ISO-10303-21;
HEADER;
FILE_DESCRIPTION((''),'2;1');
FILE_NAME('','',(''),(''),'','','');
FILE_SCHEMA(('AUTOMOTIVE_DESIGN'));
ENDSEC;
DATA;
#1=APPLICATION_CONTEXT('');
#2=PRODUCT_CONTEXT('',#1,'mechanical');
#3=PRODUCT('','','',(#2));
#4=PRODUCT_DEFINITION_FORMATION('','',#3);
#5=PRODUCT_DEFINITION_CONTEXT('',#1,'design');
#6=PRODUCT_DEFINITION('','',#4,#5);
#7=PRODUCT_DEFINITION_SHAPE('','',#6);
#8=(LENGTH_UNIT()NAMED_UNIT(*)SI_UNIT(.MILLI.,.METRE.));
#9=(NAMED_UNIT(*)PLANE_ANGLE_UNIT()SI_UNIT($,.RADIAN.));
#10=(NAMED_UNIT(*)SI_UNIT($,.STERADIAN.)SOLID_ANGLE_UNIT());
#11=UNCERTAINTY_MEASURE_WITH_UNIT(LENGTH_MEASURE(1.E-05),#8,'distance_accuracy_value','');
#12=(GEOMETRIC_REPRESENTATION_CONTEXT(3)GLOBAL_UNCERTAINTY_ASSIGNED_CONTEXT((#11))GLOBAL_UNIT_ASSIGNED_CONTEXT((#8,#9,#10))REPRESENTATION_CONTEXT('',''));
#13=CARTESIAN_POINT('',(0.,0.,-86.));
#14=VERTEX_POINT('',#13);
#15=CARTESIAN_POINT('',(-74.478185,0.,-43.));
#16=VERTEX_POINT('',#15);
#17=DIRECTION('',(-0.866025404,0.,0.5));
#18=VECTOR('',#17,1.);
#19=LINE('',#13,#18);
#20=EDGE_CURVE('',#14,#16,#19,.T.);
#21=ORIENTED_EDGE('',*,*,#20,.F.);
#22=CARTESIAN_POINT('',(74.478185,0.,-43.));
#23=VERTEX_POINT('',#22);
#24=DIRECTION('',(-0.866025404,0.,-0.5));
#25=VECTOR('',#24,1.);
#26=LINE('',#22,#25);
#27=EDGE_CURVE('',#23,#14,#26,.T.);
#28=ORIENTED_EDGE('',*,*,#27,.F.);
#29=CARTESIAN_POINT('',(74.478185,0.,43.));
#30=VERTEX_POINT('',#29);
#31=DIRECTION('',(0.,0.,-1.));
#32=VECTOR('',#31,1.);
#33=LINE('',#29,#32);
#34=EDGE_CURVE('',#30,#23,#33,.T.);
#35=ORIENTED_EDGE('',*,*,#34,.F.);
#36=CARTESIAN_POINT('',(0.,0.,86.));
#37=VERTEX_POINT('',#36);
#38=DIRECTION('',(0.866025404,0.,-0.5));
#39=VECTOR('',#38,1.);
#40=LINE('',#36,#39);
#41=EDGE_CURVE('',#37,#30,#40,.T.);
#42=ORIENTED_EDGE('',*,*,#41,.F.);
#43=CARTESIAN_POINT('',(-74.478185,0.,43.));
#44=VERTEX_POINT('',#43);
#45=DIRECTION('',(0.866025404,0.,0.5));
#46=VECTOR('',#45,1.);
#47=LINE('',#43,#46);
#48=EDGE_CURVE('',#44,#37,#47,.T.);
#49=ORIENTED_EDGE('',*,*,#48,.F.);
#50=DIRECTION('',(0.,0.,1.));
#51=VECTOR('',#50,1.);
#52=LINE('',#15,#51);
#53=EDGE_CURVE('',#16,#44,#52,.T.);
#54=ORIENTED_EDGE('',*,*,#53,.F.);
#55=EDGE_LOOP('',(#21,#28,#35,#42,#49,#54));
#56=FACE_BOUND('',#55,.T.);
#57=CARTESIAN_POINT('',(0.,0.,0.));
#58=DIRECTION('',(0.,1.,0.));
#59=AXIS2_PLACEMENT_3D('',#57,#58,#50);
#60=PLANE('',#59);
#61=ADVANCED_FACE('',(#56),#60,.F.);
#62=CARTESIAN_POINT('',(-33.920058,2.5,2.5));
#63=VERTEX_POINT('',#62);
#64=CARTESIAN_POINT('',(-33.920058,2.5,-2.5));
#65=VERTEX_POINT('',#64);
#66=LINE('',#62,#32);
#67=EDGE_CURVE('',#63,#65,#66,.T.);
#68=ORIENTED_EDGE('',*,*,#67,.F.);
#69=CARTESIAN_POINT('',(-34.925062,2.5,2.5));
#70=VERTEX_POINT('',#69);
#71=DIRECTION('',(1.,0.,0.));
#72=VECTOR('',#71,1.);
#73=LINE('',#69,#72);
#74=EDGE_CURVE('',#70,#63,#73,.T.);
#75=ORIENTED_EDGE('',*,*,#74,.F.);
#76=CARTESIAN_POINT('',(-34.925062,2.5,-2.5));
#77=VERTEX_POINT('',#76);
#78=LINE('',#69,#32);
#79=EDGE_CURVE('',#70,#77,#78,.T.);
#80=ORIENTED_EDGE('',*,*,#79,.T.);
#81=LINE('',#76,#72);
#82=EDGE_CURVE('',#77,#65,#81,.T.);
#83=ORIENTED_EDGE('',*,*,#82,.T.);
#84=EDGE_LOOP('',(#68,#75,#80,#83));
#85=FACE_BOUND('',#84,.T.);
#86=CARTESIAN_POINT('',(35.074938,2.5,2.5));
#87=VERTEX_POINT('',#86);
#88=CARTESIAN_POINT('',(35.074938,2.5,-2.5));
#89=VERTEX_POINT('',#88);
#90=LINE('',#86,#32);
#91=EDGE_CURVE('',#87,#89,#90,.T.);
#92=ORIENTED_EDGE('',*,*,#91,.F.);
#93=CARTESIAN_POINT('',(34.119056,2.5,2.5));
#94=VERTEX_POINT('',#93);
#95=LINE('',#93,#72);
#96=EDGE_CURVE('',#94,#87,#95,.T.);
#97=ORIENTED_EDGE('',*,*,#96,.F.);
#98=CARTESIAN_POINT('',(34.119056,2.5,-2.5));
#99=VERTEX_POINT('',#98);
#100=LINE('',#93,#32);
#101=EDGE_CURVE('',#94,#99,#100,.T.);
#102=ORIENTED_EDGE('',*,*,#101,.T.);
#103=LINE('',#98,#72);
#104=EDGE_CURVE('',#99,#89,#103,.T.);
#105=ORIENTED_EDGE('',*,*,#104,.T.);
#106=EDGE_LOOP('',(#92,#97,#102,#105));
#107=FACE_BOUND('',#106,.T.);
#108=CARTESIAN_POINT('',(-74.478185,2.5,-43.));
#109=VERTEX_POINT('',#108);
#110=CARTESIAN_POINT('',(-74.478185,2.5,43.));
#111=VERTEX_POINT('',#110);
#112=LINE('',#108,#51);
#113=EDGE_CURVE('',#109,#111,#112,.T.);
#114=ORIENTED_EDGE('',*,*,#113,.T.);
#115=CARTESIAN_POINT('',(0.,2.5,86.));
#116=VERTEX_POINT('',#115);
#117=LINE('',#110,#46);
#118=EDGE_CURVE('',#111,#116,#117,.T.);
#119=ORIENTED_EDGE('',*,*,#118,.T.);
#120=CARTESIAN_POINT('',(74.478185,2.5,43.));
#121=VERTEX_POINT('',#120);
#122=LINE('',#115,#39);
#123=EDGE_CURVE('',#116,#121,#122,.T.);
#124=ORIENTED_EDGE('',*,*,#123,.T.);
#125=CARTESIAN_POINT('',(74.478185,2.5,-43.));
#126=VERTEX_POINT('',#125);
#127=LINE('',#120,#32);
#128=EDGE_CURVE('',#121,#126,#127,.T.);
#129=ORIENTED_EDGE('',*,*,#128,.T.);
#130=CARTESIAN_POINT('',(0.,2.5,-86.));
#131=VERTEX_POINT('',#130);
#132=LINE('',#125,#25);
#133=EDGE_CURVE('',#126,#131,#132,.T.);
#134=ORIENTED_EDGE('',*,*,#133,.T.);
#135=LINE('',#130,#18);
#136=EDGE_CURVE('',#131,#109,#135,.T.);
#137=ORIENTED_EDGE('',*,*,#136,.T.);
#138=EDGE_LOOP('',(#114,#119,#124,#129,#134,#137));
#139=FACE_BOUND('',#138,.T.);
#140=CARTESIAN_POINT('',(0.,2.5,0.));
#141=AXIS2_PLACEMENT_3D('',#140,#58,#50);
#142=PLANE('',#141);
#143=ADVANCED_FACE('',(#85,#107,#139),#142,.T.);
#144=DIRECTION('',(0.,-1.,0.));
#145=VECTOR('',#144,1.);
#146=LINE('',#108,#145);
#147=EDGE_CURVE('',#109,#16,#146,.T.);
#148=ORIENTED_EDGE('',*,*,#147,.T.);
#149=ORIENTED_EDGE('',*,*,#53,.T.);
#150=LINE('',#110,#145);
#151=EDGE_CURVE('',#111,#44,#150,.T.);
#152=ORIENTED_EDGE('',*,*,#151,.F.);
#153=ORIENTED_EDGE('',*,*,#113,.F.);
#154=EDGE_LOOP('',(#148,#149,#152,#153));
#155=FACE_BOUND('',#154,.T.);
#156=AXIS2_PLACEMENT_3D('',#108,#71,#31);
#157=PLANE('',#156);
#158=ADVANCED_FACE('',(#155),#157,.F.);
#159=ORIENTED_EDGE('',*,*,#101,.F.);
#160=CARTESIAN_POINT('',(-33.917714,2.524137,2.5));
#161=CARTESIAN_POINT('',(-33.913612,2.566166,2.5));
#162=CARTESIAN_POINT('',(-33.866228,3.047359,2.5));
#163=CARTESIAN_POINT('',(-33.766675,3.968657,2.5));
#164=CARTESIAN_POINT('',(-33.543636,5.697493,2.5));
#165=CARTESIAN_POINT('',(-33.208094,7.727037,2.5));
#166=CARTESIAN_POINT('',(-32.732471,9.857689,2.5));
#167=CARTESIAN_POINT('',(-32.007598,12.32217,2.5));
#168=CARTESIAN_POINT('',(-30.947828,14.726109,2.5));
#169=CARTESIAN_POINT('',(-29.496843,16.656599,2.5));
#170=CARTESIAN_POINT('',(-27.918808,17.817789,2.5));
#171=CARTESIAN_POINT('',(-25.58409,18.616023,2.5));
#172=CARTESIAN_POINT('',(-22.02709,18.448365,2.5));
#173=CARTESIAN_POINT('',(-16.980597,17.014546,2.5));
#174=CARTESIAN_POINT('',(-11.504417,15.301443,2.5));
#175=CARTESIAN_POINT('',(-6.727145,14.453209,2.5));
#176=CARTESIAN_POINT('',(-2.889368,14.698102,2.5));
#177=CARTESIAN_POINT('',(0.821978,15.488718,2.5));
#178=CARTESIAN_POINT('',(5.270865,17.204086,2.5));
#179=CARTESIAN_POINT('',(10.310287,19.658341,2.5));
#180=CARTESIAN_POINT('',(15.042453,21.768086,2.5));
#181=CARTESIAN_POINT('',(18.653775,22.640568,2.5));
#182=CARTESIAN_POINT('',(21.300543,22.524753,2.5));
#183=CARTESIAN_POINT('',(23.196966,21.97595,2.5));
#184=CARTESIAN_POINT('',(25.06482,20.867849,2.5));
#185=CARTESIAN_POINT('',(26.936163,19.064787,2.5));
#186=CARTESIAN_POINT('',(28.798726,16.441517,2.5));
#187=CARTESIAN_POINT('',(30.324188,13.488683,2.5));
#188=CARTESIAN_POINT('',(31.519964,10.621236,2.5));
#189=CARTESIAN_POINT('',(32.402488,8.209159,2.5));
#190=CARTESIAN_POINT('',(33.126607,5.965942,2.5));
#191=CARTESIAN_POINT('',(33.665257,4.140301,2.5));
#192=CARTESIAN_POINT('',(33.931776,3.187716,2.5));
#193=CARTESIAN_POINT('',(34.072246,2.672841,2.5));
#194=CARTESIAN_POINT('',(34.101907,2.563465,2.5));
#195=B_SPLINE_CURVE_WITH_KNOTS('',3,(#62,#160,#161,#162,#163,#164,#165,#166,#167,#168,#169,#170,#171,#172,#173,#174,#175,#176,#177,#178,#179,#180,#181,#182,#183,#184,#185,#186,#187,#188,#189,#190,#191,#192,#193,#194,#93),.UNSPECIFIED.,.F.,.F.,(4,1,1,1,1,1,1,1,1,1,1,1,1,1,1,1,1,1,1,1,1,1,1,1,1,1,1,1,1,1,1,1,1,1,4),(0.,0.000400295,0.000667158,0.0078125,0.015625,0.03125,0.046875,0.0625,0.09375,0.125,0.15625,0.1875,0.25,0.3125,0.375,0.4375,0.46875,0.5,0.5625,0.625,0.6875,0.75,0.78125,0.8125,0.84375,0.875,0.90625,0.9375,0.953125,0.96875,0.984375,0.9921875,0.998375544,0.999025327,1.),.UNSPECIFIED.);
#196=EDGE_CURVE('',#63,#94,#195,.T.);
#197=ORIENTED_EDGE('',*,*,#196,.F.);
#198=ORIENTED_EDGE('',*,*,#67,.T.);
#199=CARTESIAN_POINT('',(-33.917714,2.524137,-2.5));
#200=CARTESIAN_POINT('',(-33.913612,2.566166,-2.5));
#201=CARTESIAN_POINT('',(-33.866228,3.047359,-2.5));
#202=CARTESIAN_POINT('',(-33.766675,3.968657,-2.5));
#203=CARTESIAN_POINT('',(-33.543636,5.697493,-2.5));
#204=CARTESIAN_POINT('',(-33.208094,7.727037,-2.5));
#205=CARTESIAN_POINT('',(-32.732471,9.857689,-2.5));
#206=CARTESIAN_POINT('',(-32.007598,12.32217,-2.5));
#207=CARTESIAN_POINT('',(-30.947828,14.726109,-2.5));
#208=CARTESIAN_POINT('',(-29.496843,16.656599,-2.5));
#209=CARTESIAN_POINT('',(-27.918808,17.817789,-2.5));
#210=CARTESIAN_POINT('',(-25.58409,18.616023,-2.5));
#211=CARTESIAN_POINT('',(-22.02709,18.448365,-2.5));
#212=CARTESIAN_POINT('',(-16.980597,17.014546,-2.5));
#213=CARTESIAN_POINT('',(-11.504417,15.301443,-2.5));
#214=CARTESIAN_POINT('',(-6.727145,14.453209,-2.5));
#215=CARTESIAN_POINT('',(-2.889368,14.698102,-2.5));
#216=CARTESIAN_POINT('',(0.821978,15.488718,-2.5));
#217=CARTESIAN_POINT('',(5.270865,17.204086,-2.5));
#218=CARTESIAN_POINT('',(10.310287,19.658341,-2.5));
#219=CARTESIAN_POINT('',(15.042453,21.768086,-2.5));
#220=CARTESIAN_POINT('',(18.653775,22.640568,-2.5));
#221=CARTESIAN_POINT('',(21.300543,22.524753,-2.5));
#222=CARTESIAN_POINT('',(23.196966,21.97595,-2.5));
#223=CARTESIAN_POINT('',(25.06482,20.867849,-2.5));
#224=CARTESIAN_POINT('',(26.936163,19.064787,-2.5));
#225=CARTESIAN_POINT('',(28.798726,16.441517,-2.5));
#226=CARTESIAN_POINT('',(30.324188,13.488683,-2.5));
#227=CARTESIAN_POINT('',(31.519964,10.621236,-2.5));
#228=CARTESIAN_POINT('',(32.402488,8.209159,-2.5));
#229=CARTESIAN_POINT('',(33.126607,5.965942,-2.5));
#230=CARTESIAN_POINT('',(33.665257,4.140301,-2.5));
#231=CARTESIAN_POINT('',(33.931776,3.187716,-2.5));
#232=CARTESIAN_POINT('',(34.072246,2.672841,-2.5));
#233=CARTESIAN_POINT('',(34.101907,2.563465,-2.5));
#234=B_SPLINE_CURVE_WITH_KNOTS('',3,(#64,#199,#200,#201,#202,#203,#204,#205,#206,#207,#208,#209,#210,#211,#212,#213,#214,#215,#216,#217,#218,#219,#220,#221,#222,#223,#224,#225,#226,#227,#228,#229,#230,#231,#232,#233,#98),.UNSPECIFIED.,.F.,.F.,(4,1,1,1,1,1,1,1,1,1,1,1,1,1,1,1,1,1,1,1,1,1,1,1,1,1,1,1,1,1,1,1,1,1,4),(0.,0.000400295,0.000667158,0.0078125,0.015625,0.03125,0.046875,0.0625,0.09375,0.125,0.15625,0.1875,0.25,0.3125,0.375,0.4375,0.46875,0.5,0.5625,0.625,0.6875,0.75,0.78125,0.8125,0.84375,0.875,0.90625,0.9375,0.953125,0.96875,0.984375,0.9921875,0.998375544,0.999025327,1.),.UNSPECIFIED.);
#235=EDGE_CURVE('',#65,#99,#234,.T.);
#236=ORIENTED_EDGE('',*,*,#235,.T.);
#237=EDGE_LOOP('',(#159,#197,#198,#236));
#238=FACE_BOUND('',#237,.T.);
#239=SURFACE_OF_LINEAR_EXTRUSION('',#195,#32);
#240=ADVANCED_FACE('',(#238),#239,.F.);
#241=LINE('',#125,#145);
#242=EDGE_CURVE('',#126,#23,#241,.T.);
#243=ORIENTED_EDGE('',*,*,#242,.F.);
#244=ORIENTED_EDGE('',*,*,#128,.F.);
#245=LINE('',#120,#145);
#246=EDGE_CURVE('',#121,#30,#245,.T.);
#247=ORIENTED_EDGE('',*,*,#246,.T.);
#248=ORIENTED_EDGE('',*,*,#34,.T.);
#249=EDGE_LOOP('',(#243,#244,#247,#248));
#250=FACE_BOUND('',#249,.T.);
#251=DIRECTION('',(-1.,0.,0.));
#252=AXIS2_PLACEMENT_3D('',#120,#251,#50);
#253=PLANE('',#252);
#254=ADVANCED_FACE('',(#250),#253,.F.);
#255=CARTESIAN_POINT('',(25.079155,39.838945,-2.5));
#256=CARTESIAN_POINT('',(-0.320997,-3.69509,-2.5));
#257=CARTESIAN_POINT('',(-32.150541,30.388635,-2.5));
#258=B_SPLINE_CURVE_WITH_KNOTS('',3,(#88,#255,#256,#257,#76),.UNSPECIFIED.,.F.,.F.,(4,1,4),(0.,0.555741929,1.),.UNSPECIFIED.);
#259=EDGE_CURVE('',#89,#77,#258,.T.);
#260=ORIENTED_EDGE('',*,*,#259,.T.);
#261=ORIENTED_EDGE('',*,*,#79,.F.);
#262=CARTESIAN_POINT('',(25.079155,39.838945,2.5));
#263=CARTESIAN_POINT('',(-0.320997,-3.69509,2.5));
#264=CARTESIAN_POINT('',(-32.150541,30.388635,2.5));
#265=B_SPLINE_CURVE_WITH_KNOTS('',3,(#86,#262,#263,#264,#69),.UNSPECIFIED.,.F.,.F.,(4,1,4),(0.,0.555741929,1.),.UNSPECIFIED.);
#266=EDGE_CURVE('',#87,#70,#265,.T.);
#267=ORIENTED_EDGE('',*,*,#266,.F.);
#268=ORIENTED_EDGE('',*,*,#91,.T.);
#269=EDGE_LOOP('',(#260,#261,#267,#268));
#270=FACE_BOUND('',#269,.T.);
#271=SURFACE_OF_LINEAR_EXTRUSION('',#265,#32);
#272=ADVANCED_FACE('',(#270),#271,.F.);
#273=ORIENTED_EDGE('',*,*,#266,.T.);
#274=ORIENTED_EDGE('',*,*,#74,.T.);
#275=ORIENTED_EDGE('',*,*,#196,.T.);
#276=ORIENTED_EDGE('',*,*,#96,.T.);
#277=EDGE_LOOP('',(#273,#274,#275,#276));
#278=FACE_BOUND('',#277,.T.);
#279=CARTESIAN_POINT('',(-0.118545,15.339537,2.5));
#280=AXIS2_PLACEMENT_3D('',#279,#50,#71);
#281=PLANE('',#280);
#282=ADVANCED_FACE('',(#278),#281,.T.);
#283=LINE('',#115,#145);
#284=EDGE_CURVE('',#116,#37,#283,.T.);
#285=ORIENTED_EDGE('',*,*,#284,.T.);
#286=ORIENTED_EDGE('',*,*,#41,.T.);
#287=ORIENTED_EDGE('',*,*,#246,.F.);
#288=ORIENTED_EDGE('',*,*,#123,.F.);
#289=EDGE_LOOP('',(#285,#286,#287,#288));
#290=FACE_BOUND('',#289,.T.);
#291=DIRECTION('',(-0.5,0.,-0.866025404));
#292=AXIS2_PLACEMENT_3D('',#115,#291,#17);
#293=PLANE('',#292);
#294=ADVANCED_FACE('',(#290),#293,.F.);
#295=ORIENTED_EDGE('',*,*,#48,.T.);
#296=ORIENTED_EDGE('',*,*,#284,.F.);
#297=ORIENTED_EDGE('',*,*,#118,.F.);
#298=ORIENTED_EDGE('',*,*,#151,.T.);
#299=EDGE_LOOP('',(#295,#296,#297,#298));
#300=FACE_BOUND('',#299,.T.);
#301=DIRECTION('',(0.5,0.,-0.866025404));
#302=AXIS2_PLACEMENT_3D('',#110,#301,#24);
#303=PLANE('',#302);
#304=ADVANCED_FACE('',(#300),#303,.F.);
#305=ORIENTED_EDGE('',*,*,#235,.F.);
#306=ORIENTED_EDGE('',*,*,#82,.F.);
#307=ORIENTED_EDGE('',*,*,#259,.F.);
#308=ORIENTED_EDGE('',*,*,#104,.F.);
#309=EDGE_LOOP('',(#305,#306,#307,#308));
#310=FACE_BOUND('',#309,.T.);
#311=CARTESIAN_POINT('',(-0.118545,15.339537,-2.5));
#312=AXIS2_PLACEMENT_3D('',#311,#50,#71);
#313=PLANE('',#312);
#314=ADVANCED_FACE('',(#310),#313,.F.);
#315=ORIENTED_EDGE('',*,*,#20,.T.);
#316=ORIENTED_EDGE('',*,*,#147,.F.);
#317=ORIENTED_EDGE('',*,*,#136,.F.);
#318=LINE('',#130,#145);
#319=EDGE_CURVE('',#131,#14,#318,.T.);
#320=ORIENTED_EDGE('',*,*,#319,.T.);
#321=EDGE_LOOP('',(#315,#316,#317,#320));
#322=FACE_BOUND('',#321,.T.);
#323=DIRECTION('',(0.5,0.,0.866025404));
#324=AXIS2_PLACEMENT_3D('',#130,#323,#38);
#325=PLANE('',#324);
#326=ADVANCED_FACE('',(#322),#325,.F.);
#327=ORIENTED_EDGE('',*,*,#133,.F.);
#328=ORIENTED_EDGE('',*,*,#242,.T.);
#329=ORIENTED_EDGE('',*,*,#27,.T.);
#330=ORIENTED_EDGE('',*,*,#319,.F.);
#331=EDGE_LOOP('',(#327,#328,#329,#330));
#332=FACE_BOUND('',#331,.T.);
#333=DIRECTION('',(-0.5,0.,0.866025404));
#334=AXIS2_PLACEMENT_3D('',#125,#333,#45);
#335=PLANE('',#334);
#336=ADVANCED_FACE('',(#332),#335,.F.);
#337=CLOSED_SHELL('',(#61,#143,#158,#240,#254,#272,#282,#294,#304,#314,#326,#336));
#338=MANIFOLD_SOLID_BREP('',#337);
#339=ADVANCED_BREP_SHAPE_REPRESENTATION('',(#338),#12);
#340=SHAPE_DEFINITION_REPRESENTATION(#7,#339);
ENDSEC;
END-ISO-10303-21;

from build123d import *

# Parameters (mm, degrees)
BOSS_EXTRUDE1_DEPTH = 2.5
BOSS_EXTRUDE3_DEPTH = 2.5


with BuildPart() as part:
    # Sketch1 → Boss-Extrude1 (new body)
    with BuildSketch(Plane(origin=(0, 0, 0), x_dir=(1, 0, 0), z_dir=(0, 1, 0))):
        Polygon((74.478184725, 43), (0, 86), (-74.478184725, 43), (-74.478184725, -43), (0, -86), (74.478184725, -43), align=None)
    extrude(amount=BOSS_EXTRUDE1_DEPTH)

    # Sketch3 → Boss-Extrude3 (add, symmetric)
    with BuildSketch(Plane.XY):
        with BuildLine():
            Line((-34.925061785, 2.5), (-33.920058448, 2.5))
            add(Edge.make_bspline(
                [(-33.920058448, 2.5), (-33.917714333, 2.524136942), (-33.913611653, 2.566166439), (-33.866227824, 3.047358518), (-33.766675223, 3.968656997), (-33.543636065, 5.697492998), (-33.208094305, 7.727036524), (-32.732470915, 9.857688537), (-32.007597516, 12.3221702), (-30.947827565, 14.726109244), (-29.496843491, 16.656599478), (-27.918808177, 17.817788786), (-25.584089516, 18.616023277), (-22.027089573, 18.448365095), (-16.980597414, 17.01454632), (-11.504417112, 15.301442536), (-6.727145071, 14.453209419), (-2.889367791, 14.698102091), (0.821978206, 15.488717654), (5.270865061, 17.204085784), (10.310286951, 19.65834123), (15.042453427, 21.768085831), (18.653774649, 22.640567877), (21.300542559, 22.524752908), (23.196966016, 21.975950032), (25.06481994, 20.867848988), (26.936162582, 19.06478675), (28.798725849, 16.441516786), (30.32418762, 13.488682834), (31.519963625, 10.621236271), (32.402488107, 8.209159025), (33.126607206, 5.965942013), (33.665257214, 4.140301082), (33.931776285, 3.187716336), (34.072246391, 2.672840674), (34.101906516, 2.563465), (34.119055988, 2.5)],
                knots=[0, 0, 0, 0, 0.000400295, 0.000667158, 0.0078125, 0.015625, 0.03125, 0.046875, 0.0625, 0.09375, 0.125, 0.15625, 0.1875, 0.25, 0.3125, 0.375, 0.4375, 0.46875, 0.5, 0.5625, 0.625, 0.6875, 0.75, 0.78125, 0.8125, 0.84375, 0.875, 0.90625, 0.9375, 0.953125, 0.96875, 0.984375, 0.9921875, 0.998375544, 0.999025327, 1, 1, 1, 1], degree=3))
            Line((34.119055988, 2.5), (35.074938215, 2.5))
            add(Edge.make_bspline(
                [(-34.925061785, 2.5), (-32.150541188, 30.388634665), (-0.320997251, -3.695090393), (25.079154745, 39.838944932), (35.074938215, 2.5)],
                knots=[0, 0, 0, 0, 0.444258071, 1, 1, 1, 1], degree=3))
        make_face()
    extrude(amount=BOSS_EXTRUDE3_DEPTH, both=True)


solid = part.part
